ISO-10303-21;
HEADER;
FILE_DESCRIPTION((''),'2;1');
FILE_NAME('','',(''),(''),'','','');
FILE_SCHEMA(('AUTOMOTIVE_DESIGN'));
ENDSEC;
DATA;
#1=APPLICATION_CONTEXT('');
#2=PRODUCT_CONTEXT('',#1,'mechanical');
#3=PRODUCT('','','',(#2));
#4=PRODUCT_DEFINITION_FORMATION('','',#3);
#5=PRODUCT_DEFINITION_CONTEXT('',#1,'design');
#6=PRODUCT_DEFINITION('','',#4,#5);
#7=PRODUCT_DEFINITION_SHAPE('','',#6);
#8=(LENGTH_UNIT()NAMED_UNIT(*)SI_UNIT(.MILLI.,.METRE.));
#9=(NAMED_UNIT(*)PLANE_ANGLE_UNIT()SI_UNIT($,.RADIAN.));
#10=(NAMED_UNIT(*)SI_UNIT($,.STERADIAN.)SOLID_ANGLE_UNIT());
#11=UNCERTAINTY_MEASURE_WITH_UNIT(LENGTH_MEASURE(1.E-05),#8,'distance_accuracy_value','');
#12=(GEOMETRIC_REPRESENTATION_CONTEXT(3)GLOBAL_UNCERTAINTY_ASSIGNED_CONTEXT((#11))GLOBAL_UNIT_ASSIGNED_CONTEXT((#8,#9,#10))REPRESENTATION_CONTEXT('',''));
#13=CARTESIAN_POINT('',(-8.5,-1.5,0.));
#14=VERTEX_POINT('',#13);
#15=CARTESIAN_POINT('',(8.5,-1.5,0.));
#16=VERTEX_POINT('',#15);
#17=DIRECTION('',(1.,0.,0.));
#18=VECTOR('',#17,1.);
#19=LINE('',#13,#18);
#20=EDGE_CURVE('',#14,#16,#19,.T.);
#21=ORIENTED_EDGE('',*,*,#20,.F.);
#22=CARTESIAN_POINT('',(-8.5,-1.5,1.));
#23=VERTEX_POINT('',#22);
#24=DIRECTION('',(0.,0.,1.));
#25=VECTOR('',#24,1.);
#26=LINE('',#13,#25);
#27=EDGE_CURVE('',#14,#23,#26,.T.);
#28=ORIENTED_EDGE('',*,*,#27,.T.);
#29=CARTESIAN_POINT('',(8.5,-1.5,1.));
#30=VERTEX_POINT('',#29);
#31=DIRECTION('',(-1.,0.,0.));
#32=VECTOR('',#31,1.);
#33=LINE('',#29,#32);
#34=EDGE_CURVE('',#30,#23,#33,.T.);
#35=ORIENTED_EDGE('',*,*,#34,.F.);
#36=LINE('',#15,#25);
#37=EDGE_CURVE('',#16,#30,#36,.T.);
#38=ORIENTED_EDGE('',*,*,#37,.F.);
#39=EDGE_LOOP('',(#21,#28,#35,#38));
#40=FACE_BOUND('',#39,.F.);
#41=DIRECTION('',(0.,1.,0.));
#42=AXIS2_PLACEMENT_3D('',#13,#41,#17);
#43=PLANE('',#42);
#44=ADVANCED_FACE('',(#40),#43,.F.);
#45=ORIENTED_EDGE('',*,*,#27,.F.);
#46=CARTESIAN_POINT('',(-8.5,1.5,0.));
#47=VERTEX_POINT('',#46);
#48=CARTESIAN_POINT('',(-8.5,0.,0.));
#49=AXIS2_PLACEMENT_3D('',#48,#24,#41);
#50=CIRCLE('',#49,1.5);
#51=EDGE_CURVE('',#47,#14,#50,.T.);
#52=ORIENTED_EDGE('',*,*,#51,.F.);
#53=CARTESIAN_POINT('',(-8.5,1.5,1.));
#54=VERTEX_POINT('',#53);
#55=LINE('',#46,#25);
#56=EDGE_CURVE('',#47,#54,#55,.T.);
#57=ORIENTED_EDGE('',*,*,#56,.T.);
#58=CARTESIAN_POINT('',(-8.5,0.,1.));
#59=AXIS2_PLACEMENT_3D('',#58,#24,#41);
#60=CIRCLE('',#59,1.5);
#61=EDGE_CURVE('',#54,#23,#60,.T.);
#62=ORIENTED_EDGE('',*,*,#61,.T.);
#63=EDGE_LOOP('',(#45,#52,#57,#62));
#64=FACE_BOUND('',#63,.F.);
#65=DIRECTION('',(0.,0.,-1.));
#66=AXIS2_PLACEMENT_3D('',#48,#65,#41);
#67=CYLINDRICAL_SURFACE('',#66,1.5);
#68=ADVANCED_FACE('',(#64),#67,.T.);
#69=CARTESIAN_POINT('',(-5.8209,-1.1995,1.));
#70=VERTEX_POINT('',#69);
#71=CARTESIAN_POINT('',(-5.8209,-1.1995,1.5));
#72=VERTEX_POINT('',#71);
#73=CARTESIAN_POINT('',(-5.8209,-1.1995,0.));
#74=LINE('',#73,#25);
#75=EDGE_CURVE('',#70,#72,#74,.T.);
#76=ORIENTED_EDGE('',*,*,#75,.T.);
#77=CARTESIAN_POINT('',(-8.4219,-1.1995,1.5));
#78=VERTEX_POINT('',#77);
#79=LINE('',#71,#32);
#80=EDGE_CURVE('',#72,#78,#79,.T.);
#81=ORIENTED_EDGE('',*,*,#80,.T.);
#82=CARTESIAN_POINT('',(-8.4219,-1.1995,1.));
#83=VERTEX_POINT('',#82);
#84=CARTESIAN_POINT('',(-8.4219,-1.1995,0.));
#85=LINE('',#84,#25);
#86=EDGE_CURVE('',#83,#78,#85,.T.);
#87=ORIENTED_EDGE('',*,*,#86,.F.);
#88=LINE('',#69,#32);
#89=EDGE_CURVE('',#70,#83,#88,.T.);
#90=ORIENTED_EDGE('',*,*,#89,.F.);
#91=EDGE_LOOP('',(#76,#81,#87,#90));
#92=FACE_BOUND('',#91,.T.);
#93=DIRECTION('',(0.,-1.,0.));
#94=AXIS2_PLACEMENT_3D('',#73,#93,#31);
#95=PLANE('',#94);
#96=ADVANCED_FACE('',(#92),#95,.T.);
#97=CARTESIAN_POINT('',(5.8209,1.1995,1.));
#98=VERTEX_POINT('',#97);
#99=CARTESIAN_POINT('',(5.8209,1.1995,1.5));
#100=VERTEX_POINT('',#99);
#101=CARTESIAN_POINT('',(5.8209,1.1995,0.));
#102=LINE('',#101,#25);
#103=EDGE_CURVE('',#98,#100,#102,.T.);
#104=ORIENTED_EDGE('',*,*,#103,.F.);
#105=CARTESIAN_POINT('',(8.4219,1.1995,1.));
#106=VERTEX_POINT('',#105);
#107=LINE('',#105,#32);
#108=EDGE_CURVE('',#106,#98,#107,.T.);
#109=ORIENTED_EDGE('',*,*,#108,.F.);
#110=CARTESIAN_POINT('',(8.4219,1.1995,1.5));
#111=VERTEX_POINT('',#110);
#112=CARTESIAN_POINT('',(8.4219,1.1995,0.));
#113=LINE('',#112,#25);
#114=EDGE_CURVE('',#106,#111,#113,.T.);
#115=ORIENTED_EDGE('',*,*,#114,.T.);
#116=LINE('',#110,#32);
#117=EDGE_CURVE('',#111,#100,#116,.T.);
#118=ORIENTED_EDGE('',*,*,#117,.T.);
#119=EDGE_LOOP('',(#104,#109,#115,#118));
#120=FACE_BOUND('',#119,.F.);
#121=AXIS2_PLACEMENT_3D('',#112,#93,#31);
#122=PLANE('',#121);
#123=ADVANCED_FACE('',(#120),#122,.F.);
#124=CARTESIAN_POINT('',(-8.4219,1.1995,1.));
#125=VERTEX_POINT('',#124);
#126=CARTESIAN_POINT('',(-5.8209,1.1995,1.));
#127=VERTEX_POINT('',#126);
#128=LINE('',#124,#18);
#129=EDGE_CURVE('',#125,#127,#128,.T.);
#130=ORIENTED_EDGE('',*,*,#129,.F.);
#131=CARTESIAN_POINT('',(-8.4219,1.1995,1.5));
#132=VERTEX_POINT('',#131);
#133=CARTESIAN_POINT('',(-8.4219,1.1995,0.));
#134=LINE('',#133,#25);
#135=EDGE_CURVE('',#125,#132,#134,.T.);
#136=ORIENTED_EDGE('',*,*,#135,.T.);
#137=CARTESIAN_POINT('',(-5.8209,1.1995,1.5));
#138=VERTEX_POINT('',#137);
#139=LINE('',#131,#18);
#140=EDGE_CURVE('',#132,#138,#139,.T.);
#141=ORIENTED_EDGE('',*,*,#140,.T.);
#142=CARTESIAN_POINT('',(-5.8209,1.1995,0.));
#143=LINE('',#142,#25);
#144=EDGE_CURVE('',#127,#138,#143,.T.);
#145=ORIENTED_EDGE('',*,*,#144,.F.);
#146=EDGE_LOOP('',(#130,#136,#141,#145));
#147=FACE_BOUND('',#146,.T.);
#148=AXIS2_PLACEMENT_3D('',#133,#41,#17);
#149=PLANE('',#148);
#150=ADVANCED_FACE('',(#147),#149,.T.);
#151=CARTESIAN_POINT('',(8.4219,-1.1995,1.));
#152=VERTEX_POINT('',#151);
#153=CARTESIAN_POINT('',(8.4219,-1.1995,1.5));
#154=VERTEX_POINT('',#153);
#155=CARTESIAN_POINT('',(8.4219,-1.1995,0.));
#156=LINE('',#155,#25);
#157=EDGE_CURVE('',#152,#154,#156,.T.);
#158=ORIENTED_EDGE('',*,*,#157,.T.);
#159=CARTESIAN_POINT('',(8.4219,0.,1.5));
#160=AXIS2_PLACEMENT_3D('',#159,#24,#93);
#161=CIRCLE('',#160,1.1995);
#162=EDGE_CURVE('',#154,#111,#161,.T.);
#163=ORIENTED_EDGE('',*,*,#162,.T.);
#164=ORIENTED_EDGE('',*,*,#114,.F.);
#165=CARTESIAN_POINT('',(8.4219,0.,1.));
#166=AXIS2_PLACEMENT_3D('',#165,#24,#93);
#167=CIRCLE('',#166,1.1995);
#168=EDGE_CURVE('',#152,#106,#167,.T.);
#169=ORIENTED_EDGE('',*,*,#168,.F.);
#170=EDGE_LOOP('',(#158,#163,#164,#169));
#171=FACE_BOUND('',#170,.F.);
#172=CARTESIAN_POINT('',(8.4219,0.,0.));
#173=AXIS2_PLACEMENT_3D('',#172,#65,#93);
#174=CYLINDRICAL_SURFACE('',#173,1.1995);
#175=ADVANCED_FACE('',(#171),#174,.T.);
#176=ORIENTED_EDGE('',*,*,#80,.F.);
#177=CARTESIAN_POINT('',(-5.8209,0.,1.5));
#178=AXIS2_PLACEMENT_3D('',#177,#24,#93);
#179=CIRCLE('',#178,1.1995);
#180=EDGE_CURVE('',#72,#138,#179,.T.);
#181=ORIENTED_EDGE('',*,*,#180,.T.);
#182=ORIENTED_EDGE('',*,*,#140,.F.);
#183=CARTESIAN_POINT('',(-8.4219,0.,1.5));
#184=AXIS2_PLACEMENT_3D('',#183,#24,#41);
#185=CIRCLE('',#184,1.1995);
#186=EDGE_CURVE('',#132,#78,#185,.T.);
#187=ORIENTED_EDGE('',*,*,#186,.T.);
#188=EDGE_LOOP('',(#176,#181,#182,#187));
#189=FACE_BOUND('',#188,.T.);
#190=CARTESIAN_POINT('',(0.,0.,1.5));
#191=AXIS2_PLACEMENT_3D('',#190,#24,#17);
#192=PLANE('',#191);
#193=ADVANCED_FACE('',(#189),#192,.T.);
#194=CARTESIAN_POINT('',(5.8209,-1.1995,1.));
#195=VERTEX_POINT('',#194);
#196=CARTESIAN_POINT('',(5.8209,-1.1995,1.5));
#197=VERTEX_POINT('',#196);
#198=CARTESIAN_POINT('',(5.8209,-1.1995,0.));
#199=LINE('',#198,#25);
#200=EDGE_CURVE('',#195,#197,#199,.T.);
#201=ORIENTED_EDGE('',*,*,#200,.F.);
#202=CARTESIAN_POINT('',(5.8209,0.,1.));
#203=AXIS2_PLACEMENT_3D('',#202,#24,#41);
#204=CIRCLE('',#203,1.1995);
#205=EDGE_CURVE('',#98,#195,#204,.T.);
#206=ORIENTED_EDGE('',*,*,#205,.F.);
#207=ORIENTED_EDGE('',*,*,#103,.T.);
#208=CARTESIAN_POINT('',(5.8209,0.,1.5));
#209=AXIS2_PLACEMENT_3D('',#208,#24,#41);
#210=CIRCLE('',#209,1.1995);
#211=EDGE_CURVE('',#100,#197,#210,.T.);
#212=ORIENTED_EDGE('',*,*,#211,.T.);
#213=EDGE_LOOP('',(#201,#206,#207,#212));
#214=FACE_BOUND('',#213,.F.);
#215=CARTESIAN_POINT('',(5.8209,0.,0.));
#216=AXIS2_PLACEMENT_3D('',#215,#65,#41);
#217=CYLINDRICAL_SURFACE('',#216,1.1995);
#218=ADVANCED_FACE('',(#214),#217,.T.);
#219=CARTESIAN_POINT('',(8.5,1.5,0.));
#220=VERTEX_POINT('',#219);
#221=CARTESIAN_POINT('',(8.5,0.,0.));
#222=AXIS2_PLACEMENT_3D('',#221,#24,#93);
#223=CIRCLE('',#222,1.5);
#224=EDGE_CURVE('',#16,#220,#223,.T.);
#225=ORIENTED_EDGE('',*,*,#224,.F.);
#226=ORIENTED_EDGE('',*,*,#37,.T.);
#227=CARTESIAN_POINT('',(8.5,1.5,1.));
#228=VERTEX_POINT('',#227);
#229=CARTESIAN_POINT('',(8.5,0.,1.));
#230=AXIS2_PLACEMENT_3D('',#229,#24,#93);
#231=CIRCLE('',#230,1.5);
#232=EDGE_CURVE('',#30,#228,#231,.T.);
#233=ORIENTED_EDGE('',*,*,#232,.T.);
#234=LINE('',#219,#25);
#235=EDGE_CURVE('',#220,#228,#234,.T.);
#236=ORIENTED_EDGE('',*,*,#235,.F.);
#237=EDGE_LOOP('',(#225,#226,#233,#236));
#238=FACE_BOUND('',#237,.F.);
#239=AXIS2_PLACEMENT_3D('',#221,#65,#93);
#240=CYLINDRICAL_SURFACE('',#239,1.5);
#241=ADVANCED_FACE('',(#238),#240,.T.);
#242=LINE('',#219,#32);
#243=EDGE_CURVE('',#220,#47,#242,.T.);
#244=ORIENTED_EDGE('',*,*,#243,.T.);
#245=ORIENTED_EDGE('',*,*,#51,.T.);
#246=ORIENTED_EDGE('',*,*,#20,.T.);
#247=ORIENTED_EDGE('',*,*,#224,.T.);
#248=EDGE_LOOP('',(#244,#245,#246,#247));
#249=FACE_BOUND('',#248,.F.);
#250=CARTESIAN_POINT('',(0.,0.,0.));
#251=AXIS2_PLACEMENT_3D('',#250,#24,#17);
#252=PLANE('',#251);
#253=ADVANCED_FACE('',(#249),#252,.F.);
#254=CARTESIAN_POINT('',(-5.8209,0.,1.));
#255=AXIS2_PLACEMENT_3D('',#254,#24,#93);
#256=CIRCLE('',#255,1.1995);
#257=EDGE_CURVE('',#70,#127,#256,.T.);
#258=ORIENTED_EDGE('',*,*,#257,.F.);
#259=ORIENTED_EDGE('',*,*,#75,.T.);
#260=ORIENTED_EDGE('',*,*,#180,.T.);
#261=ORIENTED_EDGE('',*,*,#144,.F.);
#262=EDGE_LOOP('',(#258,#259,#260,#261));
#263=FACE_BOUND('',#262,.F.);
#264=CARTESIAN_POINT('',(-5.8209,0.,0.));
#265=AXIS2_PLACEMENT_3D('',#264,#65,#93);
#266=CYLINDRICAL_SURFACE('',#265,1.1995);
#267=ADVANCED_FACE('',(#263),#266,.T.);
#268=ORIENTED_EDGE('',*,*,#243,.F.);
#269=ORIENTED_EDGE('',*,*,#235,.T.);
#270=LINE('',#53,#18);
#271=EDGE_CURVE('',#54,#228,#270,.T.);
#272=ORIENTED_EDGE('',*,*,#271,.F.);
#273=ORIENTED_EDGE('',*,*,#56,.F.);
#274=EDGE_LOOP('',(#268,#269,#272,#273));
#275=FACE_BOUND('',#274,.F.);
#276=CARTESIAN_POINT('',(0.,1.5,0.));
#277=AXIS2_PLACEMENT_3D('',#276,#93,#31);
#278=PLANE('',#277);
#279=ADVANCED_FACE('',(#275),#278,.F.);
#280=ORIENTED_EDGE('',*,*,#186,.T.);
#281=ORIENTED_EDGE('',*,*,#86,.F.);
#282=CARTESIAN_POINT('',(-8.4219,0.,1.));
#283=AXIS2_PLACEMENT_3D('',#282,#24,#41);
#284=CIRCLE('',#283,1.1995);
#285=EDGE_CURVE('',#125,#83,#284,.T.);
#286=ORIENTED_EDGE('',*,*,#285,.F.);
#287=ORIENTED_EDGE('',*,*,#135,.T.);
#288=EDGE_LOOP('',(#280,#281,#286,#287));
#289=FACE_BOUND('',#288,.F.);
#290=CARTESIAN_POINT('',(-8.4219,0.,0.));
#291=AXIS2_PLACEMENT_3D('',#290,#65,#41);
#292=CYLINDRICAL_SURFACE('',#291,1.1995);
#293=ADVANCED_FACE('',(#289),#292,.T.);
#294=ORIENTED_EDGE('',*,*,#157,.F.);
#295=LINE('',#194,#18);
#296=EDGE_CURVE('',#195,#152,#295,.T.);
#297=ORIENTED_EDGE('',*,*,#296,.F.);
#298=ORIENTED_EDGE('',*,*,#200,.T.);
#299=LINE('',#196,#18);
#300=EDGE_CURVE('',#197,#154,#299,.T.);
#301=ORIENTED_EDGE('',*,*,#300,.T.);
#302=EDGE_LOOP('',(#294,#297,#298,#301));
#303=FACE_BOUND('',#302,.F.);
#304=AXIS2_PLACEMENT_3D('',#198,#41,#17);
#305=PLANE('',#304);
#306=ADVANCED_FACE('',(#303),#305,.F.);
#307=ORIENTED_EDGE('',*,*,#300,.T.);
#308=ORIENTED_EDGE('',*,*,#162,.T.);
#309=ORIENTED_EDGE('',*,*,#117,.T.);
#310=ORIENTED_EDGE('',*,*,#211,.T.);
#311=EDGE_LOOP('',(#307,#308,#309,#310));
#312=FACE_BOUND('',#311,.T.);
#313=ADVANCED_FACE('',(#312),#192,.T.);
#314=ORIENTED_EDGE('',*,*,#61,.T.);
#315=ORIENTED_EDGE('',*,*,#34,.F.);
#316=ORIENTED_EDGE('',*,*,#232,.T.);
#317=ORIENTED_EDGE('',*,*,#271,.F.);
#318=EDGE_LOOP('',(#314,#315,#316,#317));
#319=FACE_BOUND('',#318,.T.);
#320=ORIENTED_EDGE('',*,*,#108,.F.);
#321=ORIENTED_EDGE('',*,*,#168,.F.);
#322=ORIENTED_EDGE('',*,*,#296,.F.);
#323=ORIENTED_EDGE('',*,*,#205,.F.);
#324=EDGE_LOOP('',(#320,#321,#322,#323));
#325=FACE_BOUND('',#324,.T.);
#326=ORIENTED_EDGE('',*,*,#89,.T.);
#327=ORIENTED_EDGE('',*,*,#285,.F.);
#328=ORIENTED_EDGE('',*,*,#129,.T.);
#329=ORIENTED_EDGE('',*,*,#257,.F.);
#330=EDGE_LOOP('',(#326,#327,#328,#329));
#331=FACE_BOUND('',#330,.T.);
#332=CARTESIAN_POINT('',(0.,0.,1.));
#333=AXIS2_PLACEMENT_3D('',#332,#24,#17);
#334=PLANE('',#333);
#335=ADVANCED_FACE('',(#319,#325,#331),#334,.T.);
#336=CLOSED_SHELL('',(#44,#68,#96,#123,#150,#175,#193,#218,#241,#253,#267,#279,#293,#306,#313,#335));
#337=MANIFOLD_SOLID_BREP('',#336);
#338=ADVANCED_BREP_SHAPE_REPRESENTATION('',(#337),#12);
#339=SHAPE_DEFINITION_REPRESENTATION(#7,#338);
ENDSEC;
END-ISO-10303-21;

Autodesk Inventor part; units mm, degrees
ref_plane "YZ Plane" through (0, 0, 0) normal (1, 0, 0) x (0, 1, 0)
ref_plane "XZ Plane" through (0, 0, 0) normal (0, 1, 0) x (-1, 0, 0)
ref_plane "XY Plane" through (0, 0, 0) normal (0, 0, 1) x (1, 0, 0)
sketch "草图1" plane through (0, 0, 0) normal (0, 0, 1) x (1, 0, 0)
  line L0 (-8.5, 0) -> (8.5, 0) construction
  line L1 (-8.5, -1.5) -> (8.5, -1.5)
  line L2 (8.5, 1.5) -> (-8.5, 1.5)
  arc A0 (-8.5, 1.5) -> (-8.5, -1.5) centre (-8.5, 0) ccw
  arc A1 (8.5, -1.5) -> (8.5, 1.5) centre (8.5, 0) ccw
  line L3 (5.8209, 0) -> (8.4219, 0) construction
  line L4 (5.8209, -1.1995) -> (8.4219, -1.1995)
  line L5 (8.4219, 1.1995) -> (5.8209, 1.1995)
  arc A2 (5.8209, 1.1995) -> (5.8209, -1.1995) centre (5.8209, 0) ccw
  arc A3 (8.4219, -1.1995) -> (8.4219, 1.1995) centre (8.4219, 0) ccw
  line L6 (0, 2.5577) -> (0, -3.2218)
  line L7 (-5.8209, 0) -> (-8.4219, 0) construction
  line L8 (-5.8209, -1.1995) -> (-8.4219, -1.1995)
  line L9 (-8.4219, 1.1995) -> (-5.8209, 1.1995)
  arc A4 (-5.8209, -1.1995) -> (-5.8209, 1.1995) centre (-5.8209, 0) ccw
  arc A5 (-8.4219, 1.1995) -> (-8.4219, -1.1995) centre (-8.4219, 0) ccw
  point P0 (0, 0)
  point P1 (-10, 0)
  point P2 (10, 0)
  point P3 (7.1214, 0)
  point P4 (4.6214, 0)
  point P5 (9.6214, 0)
  point P6 (-7.1214, 0)
  point P7 (-4.6214, 0)
  point P8 (-9.6214, 0)
  dimension "d0" = 20
  dimension "d1" = 3
  dimension "d2" = 5
extrude "拉伸1" add sketch "草图1" along normal blind 1
extrude "拉伸2" add sketch "草图1" along normal blind 1.5 contours A2 L5 A3 L4 | L8 A5 L9 A4
properties part number "音量接口"
